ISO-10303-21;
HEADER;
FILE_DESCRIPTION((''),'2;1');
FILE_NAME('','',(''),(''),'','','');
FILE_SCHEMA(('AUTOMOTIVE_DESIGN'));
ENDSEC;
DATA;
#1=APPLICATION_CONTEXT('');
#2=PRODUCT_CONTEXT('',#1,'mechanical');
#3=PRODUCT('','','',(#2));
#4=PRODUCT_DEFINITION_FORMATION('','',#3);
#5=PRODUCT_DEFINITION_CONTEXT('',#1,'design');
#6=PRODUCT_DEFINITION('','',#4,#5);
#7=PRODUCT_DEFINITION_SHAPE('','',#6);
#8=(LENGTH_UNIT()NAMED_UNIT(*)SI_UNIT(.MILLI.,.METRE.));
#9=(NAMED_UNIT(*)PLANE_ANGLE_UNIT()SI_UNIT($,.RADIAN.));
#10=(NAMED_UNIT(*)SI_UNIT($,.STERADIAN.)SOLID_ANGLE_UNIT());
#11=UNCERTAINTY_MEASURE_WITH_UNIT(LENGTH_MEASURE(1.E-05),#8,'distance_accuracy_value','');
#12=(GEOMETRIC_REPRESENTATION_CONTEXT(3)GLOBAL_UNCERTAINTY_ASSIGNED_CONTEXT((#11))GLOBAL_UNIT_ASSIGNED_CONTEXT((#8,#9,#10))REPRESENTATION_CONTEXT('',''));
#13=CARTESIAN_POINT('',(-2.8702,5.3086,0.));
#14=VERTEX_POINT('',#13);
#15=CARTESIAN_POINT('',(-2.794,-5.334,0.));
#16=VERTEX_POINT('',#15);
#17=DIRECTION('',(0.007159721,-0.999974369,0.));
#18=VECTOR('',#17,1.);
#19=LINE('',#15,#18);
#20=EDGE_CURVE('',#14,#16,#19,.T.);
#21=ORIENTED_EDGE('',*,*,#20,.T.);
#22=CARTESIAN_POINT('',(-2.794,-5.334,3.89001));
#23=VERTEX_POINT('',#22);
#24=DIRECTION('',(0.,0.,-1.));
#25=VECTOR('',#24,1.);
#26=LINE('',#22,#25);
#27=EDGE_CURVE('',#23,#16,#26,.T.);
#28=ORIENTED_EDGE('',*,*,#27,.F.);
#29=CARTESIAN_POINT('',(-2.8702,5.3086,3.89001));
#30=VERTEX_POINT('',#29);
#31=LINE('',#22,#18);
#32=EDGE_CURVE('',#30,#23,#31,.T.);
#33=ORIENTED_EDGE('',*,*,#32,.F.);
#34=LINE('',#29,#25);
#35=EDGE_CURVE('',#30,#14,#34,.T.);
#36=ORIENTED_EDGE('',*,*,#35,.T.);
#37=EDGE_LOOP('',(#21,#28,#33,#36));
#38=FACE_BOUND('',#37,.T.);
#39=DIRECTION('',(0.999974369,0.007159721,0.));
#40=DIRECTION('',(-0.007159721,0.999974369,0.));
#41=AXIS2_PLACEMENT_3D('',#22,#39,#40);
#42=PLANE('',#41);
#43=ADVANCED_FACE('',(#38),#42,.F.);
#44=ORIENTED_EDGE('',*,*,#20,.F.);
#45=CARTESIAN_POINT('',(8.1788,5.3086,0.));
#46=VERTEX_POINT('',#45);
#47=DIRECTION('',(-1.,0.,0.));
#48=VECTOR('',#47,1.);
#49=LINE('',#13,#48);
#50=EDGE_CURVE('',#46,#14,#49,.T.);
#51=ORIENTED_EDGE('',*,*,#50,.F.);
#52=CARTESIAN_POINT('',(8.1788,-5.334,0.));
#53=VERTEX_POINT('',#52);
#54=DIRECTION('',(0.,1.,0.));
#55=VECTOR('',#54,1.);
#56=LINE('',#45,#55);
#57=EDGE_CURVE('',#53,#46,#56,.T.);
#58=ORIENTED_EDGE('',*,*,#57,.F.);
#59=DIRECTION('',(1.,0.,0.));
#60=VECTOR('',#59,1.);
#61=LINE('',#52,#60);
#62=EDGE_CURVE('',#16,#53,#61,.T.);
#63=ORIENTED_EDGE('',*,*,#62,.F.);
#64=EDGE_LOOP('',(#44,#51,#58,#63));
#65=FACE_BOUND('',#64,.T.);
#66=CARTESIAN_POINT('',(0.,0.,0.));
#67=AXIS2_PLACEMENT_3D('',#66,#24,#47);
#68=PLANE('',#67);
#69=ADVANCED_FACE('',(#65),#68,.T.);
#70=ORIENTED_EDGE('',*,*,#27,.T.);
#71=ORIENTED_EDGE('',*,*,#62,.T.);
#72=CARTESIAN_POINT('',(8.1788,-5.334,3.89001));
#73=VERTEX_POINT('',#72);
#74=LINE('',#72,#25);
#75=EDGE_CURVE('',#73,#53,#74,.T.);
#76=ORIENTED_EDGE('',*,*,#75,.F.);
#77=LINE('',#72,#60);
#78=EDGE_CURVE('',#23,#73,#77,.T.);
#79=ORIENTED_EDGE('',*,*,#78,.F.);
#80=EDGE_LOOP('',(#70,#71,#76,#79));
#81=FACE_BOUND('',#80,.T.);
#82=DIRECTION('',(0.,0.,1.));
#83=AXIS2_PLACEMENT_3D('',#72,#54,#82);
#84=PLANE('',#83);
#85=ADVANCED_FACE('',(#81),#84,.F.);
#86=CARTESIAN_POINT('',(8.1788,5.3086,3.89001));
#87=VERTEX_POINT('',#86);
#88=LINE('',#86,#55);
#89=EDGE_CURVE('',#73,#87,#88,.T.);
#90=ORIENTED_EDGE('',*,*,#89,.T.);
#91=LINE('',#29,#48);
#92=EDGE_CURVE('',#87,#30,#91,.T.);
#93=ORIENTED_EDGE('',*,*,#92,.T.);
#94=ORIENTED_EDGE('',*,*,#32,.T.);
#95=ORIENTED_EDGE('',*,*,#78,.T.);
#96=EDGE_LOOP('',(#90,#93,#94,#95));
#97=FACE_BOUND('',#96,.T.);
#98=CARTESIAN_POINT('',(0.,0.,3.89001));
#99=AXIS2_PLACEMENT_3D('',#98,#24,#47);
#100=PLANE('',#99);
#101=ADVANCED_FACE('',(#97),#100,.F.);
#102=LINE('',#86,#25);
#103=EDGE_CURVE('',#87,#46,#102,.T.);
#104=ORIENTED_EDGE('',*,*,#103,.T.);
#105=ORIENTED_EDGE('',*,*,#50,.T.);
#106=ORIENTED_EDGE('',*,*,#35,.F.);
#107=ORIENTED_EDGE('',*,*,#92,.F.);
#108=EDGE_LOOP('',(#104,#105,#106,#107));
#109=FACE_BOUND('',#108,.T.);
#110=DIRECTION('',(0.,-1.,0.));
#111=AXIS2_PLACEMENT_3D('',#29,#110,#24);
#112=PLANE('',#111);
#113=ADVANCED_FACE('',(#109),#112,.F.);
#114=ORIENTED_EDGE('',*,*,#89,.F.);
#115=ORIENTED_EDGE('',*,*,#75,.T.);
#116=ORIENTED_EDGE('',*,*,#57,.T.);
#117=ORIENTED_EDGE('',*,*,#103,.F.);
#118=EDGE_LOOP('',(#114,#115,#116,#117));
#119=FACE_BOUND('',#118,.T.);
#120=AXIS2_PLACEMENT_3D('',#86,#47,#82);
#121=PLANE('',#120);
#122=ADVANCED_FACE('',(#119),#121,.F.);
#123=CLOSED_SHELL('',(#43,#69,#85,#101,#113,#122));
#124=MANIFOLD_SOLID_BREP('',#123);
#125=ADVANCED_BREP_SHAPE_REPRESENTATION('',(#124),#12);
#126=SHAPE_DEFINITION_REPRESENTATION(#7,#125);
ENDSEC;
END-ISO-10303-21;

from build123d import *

# Parameters (mm, degrees)
COMPONENT_OUTLINE_DEPTH = 3.89001


with BuildPart() as part:
    # Sketch1 → Component_Outline (new body)
    with BuildSketch(Plane.XY):
        Polygon((8.1788, 5.3086), (8.1788, -5.334), (-2.794, -5.334), (-2.8702, 5.3086), align=None)
    extrude(amount=COMPONENT_OUTLINE_DEPTH)


solid = part.part
